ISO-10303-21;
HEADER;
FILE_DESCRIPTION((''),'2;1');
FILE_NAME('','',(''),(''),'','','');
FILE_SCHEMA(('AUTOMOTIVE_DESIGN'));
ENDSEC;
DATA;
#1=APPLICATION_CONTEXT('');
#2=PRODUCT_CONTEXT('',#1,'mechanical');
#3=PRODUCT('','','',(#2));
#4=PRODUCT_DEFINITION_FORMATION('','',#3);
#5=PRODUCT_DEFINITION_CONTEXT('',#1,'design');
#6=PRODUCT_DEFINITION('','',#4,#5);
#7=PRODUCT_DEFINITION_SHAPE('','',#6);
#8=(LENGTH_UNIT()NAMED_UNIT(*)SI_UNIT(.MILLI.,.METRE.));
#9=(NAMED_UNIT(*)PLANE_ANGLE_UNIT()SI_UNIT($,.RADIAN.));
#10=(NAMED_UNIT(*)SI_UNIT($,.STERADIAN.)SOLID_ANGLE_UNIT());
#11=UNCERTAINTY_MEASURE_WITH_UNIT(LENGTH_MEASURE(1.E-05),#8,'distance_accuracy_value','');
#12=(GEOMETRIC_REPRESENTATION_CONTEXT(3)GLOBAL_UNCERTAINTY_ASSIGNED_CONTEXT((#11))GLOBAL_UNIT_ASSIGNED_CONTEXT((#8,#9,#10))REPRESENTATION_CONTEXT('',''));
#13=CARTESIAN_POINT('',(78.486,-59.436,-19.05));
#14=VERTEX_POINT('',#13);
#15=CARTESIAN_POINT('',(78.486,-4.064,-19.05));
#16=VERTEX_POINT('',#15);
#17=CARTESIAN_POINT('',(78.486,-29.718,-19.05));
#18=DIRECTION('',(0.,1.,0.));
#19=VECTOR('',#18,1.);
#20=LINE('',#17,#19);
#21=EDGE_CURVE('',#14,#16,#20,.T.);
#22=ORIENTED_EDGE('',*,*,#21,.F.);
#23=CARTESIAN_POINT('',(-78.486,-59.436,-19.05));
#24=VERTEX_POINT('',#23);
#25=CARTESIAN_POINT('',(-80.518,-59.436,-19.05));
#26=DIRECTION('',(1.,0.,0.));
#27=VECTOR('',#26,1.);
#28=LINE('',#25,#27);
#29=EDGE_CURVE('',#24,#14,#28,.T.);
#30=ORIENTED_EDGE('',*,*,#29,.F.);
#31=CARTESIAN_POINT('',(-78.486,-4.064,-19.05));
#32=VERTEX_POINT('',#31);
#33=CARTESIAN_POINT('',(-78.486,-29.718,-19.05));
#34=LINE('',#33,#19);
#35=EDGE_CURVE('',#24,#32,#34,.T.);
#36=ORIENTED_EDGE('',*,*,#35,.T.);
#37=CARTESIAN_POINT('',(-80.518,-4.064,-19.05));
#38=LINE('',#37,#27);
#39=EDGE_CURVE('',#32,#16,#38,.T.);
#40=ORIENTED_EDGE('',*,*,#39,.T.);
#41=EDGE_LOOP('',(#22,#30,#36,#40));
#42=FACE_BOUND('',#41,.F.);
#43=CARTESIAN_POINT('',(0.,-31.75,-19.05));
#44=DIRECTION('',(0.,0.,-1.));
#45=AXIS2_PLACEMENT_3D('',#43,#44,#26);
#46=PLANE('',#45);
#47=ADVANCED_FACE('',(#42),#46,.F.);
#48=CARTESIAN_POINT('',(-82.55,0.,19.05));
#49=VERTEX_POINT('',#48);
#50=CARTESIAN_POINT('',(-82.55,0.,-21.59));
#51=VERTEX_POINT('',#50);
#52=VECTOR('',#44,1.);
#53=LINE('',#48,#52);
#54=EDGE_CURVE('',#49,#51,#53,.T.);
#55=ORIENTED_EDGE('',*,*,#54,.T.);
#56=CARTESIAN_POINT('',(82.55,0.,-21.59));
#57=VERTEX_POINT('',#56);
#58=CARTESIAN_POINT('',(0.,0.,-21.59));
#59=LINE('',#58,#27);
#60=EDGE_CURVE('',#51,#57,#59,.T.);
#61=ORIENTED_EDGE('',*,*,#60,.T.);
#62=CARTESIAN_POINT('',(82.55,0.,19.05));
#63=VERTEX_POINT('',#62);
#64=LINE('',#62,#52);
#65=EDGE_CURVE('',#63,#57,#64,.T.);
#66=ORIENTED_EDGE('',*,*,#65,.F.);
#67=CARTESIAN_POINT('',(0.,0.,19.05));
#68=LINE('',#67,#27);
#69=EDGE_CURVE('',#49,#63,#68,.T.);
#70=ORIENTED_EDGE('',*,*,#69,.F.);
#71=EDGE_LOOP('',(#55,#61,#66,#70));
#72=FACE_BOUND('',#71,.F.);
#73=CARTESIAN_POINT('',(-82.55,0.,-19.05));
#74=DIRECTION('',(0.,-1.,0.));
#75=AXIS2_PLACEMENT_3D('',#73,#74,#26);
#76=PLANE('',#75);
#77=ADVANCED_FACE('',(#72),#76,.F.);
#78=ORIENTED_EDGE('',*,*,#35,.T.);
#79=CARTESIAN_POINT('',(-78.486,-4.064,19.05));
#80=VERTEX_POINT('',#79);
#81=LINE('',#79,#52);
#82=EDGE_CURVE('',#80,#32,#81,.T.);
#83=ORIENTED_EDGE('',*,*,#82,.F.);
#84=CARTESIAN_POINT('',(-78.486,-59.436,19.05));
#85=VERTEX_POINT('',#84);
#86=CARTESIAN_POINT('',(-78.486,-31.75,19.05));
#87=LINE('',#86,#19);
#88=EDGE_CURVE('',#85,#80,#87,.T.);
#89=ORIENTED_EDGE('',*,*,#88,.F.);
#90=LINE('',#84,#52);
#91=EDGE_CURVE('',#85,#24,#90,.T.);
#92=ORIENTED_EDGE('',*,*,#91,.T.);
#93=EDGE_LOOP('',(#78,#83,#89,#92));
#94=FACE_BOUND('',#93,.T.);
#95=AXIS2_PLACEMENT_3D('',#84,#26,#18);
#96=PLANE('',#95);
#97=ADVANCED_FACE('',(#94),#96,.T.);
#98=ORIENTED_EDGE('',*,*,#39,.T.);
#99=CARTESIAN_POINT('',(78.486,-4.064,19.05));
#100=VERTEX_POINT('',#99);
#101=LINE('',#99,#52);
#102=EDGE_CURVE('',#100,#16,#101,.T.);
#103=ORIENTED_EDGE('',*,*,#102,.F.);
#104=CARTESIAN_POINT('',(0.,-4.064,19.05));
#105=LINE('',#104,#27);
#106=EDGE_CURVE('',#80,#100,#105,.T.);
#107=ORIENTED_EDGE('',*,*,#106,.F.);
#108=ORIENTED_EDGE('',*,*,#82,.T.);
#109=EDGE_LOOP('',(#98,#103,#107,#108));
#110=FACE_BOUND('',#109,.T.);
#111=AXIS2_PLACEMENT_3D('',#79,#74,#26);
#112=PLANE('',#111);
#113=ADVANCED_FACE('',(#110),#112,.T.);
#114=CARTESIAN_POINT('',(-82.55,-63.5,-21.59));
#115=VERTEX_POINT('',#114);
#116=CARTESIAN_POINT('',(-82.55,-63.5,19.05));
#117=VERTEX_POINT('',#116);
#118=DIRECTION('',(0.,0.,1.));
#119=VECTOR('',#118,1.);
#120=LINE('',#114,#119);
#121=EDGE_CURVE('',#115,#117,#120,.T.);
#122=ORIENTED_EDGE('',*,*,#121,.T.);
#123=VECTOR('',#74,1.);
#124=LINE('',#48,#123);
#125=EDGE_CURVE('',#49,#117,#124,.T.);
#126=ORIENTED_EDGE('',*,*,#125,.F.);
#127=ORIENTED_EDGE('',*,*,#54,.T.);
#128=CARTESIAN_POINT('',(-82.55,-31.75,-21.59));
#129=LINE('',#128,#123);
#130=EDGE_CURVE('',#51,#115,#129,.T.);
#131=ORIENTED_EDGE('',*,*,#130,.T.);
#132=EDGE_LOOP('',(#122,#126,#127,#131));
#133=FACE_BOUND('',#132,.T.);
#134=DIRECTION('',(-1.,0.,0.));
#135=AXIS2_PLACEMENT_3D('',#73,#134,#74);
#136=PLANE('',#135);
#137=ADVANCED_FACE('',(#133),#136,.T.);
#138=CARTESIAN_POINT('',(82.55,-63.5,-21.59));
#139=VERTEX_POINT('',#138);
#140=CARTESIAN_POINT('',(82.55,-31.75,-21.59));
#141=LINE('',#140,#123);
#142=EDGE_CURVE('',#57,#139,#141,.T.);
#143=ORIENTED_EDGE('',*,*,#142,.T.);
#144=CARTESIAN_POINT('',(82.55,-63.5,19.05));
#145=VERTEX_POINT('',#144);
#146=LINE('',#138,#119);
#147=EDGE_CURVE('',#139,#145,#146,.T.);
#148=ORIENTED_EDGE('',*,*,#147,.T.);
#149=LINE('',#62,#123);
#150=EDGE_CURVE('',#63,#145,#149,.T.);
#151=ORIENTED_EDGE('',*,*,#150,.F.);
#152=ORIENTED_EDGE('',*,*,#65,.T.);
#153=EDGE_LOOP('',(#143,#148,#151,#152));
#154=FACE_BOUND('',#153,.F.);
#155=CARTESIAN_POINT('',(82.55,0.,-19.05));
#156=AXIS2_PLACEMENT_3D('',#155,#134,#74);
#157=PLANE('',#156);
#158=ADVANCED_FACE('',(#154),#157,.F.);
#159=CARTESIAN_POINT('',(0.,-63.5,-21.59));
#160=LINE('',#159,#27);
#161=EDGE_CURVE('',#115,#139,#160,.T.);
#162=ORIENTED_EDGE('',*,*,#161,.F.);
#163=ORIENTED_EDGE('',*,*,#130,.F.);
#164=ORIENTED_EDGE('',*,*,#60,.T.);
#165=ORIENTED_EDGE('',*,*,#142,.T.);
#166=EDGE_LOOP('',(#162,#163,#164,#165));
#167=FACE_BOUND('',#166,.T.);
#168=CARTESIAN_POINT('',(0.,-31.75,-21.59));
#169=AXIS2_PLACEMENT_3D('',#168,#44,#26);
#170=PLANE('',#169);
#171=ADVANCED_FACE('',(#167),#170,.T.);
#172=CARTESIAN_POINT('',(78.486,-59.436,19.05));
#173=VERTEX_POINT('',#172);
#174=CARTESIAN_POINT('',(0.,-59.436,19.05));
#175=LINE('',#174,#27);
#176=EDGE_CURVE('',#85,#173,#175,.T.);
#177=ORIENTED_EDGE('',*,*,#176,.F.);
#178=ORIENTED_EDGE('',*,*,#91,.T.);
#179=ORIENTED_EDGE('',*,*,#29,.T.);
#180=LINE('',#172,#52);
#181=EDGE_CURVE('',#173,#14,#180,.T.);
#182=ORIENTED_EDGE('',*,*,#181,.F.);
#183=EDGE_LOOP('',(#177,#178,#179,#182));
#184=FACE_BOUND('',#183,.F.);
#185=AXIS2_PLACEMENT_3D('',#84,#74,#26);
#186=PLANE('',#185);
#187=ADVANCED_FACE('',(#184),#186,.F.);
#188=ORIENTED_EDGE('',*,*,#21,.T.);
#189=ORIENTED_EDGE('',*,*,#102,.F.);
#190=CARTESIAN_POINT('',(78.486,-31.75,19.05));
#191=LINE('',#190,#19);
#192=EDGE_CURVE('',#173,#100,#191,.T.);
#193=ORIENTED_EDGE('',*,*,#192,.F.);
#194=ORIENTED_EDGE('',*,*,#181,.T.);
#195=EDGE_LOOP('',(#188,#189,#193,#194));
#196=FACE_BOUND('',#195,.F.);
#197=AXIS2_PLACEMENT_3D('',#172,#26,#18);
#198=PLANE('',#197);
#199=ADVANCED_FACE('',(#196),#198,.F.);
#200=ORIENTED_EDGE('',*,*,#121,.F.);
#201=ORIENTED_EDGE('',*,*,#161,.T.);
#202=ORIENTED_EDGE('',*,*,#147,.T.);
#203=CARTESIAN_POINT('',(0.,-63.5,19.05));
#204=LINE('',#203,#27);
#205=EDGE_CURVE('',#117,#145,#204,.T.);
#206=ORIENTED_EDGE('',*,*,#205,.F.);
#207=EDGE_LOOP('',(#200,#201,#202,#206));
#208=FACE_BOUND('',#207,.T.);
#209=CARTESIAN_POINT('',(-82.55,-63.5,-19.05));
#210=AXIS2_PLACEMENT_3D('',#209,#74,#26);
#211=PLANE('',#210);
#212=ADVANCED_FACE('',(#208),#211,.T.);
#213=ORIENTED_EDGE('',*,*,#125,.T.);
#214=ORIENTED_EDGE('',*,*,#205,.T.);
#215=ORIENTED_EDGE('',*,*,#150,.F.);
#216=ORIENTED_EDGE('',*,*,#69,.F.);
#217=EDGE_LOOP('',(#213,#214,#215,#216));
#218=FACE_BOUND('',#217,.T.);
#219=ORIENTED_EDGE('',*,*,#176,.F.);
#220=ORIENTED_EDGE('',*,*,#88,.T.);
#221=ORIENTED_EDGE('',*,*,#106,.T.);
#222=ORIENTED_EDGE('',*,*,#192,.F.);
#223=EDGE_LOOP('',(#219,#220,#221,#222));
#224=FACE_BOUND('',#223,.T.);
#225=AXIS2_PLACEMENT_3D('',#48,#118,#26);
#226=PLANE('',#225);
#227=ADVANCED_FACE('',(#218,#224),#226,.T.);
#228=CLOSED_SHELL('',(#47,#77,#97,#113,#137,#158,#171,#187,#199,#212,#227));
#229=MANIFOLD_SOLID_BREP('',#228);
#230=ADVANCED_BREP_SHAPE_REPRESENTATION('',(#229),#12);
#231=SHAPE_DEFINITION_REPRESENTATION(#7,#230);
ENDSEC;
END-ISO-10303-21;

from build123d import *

# Parameters (mm, degrees)
F0_W     = 165.1
F0_H     = 38.1
F1_DEPTH = 63.5
F2_W     = 156.972
F2_H     = 55.372
F3_DEPTH = 46.736
F4_W     = 165.1
F4_H     = 63.5
F5_DEPTH = 2.54


with BuildPart() as f1:
    # F0 (on Front) → F1 (new body)
    with BuildSketch(Plane.XZ):
        Rectangle(F0_W, F0_H)
    extrude(amount=F1_DEPTH)

    # F2 (on face) → F3 (cut)
    with BuildSketch(Plane.XY.offset(19.05)):
        with Locations((0, -31.75)):
            Rectangle(F2_W, F2_H)
    extrude(amount=-F3_DEPTH, mode=Mode.SUBTRACT)

    # F4 (on face) → F5 (join)
    with BuildSketch(Plane(origin=(0, 0, -19.05), x_dir=(1, 0, 0), z_dir=(0, 0, -1))):
        with Locations((0, 31.75)):
            Rectangle(F4_W, F4_H)
    extrude(amount=F5_DEPTH)


solid = f1.part
